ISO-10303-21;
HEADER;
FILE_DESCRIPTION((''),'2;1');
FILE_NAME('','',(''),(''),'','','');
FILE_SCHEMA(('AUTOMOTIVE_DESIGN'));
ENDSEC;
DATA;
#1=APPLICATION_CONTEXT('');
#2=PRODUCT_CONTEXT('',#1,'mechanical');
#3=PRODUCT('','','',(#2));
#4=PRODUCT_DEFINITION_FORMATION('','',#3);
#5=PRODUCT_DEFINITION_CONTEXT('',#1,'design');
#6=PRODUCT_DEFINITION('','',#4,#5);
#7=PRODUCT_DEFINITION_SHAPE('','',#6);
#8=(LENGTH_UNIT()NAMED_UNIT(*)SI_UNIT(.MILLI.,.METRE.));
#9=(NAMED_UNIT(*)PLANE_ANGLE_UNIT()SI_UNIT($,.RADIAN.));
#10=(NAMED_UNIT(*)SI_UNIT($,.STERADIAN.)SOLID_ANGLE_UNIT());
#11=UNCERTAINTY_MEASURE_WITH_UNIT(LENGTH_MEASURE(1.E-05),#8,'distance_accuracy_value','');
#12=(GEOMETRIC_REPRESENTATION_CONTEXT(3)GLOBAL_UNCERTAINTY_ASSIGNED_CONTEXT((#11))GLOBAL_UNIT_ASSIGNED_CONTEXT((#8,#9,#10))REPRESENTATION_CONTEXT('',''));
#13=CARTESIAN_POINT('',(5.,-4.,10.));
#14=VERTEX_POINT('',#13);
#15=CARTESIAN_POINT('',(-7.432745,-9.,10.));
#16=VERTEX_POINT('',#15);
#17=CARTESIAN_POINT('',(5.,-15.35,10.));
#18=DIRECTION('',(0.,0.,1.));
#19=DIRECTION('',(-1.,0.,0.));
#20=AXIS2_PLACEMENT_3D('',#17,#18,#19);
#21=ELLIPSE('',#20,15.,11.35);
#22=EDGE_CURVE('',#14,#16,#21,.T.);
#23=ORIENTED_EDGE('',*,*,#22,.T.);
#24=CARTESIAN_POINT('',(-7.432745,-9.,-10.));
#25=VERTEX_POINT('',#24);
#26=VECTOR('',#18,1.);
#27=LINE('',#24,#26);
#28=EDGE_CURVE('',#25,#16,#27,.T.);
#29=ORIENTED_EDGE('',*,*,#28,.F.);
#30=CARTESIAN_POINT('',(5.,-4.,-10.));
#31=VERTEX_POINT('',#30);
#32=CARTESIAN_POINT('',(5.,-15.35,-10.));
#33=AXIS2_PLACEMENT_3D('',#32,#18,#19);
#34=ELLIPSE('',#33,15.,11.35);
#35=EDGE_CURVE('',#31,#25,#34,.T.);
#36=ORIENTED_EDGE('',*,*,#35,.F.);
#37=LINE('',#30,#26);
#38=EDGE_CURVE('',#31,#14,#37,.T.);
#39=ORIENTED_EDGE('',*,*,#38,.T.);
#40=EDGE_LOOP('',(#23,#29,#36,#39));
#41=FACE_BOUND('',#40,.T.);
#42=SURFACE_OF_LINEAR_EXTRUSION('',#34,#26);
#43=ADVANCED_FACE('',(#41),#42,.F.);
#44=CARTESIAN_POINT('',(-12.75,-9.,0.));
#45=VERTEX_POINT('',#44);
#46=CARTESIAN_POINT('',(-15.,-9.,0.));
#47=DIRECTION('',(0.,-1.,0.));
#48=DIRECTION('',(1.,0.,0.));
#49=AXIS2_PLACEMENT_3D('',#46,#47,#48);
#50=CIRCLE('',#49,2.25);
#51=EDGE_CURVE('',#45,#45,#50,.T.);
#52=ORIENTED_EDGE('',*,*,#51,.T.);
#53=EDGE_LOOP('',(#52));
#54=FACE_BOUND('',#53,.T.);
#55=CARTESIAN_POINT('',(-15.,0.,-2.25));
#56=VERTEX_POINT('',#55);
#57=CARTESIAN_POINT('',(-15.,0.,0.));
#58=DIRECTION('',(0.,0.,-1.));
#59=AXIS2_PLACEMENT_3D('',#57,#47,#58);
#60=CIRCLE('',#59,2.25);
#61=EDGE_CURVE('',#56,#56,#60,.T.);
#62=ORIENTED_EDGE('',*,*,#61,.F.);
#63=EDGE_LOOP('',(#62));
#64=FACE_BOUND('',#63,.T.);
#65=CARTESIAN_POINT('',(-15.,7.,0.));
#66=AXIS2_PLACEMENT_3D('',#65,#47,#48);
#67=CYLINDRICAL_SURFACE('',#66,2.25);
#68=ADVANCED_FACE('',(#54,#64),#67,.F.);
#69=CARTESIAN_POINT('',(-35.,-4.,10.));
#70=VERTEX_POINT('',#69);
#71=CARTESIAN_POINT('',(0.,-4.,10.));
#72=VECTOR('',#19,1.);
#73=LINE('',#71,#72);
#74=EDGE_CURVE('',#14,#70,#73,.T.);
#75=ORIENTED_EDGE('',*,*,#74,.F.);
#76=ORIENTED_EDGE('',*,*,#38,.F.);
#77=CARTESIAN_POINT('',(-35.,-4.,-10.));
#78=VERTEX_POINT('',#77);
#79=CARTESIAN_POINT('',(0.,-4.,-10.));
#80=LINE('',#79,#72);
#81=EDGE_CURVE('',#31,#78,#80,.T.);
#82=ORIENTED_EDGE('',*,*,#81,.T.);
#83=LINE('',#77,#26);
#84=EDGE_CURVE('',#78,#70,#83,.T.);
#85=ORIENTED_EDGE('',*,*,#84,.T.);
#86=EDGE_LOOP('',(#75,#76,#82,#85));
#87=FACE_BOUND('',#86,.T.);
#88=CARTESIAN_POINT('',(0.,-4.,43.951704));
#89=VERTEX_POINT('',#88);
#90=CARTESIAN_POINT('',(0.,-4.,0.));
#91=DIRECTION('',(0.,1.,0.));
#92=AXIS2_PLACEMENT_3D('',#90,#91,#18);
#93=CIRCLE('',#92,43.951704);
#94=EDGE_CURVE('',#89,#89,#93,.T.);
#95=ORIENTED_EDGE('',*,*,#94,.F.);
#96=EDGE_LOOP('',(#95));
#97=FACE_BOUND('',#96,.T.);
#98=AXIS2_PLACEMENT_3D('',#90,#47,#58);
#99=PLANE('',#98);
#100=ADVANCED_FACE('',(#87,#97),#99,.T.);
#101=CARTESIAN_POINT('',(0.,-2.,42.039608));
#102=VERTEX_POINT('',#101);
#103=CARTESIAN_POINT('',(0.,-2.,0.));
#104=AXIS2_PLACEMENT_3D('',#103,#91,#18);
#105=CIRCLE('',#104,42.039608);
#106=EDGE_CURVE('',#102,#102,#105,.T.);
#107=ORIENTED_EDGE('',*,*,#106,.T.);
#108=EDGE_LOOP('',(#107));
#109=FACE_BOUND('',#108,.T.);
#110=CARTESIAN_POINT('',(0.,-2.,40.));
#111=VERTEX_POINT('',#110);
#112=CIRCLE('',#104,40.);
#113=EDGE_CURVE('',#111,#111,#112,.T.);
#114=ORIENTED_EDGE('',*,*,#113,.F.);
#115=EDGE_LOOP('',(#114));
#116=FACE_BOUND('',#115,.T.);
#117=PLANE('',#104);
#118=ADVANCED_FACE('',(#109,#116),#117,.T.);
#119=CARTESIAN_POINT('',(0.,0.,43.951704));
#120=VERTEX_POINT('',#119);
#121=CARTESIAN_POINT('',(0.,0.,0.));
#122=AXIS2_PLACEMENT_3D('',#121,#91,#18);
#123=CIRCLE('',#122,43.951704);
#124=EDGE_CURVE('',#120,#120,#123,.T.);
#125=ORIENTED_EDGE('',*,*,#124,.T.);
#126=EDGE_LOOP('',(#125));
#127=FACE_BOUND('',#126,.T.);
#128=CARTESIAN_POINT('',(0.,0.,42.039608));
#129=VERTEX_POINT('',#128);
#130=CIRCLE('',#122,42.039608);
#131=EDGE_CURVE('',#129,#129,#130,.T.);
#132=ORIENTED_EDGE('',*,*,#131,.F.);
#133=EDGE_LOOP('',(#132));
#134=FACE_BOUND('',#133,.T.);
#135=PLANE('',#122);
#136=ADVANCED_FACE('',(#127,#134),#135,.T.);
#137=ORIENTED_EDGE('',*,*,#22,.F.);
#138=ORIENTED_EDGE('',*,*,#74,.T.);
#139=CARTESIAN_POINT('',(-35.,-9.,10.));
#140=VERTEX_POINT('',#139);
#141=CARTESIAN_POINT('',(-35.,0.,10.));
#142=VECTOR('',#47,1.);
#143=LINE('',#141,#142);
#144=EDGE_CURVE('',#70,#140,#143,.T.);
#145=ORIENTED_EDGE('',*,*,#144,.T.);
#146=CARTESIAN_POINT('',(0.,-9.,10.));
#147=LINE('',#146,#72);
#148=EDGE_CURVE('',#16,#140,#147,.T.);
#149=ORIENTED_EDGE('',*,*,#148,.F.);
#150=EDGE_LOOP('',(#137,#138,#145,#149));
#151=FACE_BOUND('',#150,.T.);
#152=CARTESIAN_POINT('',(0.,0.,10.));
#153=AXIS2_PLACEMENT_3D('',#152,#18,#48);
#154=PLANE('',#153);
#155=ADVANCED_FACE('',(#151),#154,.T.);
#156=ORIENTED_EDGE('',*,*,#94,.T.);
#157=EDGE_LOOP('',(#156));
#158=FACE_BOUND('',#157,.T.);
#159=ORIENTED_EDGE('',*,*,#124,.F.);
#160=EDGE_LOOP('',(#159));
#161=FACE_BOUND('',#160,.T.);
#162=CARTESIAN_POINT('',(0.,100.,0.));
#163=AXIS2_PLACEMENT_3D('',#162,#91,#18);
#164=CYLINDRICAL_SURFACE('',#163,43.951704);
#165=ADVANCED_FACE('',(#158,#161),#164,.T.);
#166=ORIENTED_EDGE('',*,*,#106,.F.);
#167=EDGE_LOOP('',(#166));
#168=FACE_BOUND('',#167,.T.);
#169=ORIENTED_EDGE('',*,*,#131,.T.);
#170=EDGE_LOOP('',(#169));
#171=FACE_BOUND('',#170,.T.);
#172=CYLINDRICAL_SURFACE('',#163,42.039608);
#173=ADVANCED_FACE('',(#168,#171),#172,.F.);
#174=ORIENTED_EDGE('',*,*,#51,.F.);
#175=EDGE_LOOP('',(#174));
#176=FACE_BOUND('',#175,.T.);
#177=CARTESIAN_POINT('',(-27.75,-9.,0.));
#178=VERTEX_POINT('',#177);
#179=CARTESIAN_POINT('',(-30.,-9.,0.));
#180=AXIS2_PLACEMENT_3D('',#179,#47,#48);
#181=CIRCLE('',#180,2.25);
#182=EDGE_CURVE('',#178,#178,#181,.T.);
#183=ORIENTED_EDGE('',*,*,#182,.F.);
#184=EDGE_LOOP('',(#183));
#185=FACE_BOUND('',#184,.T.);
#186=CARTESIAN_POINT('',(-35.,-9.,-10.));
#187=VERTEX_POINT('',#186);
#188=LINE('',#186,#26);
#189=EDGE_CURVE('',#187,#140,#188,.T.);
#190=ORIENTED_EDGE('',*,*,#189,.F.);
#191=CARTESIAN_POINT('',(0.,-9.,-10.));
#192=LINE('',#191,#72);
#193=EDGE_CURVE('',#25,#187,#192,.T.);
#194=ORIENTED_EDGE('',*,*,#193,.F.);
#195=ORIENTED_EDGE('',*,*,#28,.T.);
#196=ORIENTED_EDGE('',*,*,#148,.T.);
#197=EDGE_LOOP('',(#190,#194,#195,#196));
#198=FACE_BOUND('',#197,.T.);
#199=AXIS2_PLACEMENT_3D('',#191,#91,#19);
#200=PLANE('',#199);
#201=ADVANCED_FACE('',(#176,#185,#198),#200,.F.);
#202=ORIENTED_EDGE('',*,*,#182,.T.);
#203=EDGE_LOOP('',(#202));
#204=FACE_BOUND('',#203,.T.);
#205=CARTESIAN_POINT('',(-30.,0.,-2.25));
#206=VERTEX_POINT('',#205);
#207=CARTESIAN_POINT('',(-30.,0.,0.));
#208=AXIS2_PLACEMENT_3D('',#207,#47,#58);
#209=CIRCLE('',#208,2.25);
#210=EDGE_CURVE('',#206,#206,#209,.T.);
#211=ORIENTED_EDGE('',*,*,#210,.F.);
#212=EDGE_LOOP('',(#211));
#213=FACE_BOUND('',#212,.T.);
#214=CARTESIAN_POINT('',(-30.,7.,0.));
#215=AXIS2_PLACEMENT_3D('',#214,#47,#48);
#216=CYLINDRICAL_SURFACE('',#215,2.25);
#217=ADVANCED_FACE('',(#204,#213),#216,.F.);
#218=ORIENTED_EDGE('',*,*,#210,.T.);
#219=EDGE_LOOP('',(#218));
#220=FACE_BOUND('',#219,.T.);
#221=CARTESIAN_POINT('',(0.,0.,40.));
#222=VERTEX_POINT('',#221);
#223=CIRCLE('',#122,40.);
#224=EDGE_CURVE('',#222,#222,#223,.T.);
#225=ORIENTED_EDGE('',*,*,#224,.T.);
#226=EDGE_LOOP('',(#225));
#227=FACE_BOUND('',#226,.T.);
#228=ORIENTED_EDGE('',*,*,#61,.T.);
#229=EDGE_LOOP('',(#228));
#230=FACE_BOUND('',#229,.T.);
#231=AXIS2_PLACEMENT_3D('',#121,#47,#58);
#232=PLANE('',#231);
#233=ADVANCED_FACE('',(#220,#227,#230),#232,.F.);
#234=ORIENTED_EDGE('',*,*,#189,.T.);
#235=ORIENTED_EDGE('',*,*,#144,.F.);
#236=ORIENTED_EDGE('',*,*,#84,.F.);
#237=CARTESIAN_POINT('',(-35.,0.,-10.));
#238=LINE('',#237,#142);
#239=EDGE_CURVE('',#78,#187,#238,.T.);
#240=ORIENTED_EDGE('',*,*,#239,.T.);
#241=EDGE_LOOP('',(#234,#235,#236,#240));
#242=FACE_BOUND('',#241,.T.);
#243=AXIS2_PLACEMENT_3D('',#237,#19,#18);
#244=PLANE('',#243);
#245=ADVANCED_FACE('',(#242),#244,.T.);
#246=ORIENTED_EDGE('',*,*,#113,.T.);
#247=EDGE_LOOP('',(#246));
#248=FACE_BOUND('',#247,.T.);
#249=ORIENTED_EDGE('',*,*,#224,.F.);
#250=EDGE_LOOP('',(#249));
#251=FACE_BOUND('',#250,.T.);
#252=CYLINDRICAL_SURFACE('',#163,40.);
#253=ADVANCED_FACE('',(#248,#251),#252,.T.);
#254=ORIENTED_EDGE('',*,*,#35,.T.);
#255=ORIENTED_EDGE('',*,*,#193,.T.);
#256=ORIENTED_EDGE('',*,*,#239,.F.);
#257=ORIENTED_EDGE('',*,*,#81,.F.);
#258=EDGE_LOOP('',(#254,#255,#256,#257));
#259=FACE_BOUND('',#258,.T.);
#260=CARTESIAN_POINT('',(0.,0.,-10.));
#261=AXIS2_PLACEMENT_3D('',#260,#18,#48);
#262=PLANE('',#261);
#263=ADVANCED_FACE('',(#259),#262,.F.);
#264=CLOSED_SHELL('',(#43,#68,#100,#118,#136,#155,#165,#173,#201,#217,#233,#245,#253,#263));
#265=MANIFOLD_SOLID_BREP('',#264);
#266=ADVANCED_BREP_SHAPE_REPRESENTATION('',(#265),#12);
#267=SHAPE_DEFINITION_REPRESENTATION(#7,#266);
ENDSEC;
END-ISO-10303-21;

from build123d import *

# Parameters (mm, degrees)
BOSS_EXTRUDE1_DEPTH      = 10
BOSS_EXTRUDE1_DEPTH_BACK = 10
SKETCH4_R                = 2.25
CUT_EXTRUDE1_DEPTH       = 16


with BuildPart() as part:
    # Sketch2 → Revolve1 (revolve)
    with BuildSketch(Plane.XY):
        Polygon((-42.039607805, -2), (-42.039607805, 0), (-43.951704155, 0), (-43.951704155, -4), (-34.016778293, -4), (0, -4), (0, 0), (-40, 0), (-40, -2), align=None)
    revolve(axis=Axis((0, 100, 0), (0, -1, 0)))

    # Sketch3 → Boss-Extrude1 (add, two sides: drawn at the far end of the back side and taken through both)
    with BuildSketch(Plane.XY.offset(-BOSS_EXTRUDE1_DEPTH_BACK)):
        with BuildLine():
            add(Edge.make_bspline(
                [(5, -4), (-2.972410052, -4), (-7.432745191, -9)],
                knots=[1.570796327, 1.570796327, 1.570796327, 2.547844784, 2.547844784, 2.547844784], degree=2, weights=[1, 0.883026434, 1]))
            Line((5, -4), (-35, -4))
            Line((-35, -4), (-35, -9))
            Line((-35, -9), (-7.432745191, -9))
        make_face()
    extrude(amount=BOSS_EXTRUDE1_DEPTH + BOSS_EXTRUDE1_DEPTH_BACK)

    # Sketch4 → Cut-Extrude1 (cut)
    with BuildSketch(Plane.XZ.offset(9)):
        with Locations((-30, 0)):
            Circle(SKETCH4_R)
        with Locations((-15, 0)):
            Circle(SKETCH4_R)
    extrude(amount=-CUT_EXTRUDE1_DEPTH, mode=Mode.SUBTRACT)


solid = part.part
